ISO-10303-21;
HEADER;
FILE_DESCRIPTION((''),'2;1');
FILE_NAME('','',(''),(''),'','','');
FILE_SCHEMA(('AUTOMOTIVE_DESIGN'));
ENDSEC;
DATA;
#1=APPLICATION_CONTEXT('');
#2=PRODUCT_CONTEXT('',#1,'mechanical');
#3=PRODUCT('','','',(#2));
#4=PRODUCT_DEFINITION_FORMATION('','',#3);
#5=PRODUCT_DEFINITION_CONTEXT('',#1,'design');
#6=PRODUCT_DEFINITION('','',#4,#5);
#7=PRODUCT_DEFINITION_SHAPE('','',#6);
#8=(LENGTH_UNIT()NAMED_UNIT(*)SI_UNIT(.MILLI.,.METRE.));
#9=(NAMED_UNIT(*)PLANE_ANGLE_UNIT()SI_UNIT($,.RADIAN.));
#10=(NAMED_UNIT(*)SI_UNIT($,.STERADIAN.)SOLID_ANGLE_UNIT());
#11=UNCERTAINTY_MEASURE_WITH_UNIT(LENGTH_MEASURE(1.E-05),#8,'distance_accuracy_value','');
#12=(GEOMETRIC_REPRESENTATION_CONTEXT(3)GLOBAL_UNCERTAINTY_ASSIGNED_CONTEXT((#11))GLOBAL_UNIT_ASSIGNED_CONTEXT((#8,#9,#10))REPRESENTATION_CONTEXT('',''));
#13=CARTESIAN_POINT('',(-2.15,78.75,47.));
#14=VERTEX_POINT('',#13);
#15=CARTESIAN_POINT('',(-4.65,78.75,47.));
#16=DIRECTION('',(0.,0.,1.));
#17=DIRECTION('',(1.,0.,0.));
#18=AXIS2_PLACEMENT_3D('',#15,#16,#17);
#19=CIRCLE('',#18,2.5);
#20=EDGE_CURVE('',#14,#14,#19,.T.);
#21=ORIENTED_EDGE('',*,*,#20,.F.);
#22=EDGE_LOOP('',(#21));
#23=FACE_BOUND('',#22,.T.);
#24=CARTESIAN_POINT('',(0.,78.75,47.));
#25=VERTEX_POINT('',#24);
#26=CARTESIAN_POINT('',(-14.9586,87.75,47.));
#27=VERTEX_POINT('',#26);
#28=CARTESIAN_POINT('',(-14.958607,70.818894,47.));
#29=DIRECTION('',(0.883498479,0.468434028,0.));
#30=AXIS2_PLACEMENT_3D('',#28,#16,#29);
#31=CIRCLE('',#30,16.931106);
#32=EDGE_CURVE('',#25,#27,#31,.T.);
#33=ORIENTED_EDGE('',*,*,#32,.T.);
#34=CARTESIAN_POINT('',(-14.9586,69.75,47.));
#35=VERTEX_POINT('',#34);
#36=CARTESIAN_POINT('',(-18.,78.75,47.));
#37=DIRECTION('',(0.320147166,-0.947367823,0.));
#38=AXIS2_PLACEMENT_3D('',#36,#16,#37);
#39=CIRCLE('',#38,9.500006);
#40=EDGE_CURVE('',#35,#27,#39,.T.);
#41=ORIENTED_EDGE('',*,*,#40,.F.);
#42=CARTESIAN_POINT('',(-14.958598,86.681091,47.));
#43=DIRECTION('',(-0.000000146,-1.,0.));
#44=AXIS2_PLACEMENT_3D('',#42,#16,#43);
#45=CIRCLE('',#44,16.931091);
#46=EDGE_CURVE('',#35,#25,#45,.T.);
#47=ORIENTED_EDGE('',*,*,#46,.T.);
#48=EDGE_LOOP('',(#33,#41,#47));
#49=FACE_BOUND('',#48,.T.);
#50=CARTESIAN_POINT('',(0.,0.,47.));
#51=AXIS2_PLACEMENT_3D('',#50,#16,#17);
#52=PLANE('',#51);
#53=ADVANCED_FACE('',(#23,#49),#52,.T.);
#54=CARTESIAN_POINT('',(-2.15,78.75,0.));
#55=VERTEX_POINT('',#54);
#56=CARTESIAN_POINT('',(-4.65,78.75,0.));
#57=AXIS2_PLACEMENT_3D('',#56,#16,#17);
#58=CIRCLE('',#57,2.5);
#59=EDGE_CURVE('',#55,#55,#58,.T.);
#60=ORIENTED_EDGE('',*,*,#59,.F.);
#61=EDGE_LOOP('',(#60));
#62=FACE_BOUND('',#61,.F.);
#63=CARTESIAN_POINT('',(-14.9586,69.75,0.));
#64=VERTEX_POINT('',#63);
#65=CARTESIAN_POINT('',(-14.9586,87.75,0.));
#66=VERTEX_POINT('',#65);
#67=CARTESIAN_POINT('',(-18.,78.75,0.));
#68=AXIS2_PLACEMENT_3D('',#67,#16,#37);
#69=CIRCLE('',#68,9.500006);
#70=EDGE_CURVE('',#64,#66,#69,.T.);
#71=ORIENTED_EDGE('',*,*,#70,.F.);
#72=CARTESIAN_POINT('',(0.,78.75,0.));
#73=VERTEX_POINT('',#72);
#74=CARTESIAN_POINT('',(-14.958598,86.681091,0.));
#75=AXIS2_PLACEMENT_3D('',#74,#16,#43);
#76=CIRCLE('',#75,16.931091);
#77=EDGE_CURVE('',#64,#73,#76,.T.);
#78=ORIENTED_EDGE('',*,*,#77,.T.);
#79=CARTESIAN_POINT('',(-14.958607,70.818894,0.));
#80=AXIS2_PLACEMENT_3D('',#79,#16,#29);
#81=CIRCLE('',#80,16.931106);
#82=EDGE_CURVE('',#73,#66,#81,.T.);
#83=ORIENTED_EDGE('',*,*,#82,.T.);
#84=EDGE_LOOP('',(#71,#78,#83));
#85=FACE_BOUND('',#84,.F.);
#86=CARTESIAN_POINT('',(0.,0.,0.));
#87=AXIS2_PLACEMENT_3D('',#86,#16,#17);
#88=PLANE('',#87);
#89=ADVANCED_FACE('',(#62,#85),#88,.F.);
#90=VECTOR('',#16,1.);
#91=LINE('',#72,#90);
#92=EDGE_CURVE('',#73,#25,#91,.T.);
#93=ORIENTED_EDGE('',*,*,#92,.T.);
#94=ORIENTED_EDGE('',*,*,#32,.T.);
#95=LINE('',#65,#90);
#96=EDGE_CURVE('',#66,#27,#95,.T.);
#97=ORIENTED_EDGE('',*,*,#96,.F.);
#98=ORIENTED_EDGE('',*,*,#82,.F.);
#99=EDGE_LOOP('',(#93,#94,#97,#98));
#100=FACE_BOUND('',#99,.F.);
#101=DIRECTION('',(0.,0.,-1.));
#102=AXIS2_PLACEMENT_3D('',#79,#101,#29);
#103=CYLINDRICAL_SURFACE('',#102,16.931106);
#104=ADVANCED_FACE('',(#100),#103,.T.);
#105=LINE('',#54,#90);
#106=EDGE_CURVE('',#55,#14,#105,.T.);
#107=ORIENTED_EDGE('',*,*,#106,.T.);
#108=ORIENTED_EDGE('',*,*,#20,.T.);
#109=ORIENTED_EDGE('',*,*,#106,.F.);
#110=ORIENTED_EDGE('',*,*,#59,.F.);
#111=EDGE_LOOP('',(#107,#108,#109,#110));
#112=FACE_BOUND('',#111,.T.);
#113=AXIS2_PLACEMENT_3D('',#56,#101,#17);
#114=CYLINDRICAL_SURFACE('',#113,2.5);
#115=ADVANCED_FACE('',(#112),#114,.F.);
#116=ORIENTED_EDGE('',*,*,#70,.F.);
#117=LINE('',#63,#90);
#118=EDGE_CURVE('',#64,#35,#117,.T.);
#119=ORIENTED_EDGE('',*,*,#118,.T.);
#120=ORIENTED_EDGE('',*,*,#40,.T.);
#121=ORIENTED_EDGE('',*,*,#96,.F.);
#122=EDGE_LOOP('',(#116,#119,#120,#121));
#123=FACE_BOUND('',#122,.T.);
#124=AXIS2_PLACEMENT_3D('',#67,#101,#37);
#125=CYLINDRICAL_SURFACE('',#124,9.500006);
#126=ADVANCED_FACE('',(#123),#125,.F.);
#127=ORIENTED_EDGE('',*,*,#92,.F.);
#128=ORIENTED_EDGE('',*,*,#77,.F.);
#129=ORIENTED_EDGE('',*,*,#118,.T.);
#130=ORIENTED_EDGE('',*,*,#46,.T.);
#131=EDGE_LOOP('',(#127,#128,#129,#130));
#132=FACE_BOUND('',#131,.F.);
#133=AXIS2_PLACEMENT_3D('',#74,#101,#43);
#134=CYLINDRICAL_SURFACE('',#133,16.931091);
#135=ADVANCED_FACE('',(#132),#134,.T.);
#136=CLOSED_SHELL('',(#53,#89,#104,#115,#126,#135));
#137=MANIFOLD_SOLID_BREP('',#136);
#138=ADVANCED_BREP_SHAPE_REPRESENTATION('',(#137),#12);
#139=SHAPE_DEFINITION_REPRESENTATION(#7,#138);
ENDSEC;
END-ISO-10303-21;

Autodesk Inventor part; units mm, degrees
ref_plane "YZ Plane" through (0, 0, 0) normal (1, 0, 0) x (0, 1, 0)
ref_plane "XZ Plane" through (0, 0, 0) normal (0, 1, 0) x (-1, 0, 0)
ref_plane "XY Plane" through (0, 0, 0) normal (0, 0, 1) x (1, 0, 0)
sketch "Skizze1" plane through (0, 0, 0) normal (0, 0, 1) x (1, 0, 0)
  arc A0 (0, 11.25) -> (-14.9586, 20.25) centre (-14.9586, 3.3189) ccw
  arc A1 (-14.9586, 2.25) -> (-14.9586, 20.25) centre (-18, 11.25) ccw
  arc A2 (-14.9586, 2.25) -> (0, 11.25) centre (-14.9586, 19.1811) ccw
  arc A3 (0, 78.75) -> (-14.9586, 87.75) centre (-14.9586, 70.8189) ccw
  arc A4 (-14.9586, 69.75) -> (-14.9586, 87.75) centre (-18, 78.75) ccw
  arc A5 (-14.9586, 69.75) -> (0, 78.75) centre (-14.9586, 86.6811) ccw
  line L0 (0, 0) -> (0, 270)
  line L1 (0, 270) -> (-4.65, 164)
  arc A6 (-4.65, 164) -> (-4.65, 156) centre (-4.65, 160) ccw
  line L2 (-4.65, 156) -> (0, 156)
  line L3 (0, 0) -> (0, 270)
  line L4 (0, 270) -> (-4.65, 219)
  arc A7 (-4.65, 219) -> (-4.65, 211) centre (-4.65, 215) ccw
  line L5 (-4.65, 211) -> (0, 211)
  line L6 (0, 135) -> (-167, 135)
  line L7 (-167, 135) -> (0, 270)
  line L8 (0, 270) -> (-167, 270)
  line L9 (-167, 270) -> (-167, 0)
  line L10 (-83.5, 270) -> (-83.5, 0)
  line L11 (-83.5, 0) -> (-167, 270)
  line L12 (-167, 270) -> (-167, 0)
  line L13 (-167, 0) -> (0, 0)
  line L14 (0, 0) -> (-167, 0)
  line L15 (-144.5, 31.5) -> (-165.5, 31.5)
  line L16 (-165.5, 31.5) -> (-165.5, 58.5)
  line L17 (-165.5, 58.5) -> (-144.5, 58.5)
  line L18 (-144.5, 58.5) -> (-144.5, 31.5)
  line L19 (-144.5, 238.5) -> (-165.5, 238.5)
  line L20 (-165.5, 238.5) -> (-165.5, 211.5)
  line L21 (-165.5, 211.5) -> (-144.5, 211.5)
  line L22 (-144.5, 211.5) -> (-144.5, 238.5)
  arc A8 (0, 258.75) -> (-14.9586, 267.75) centre (-14.9586, 250.8189) ccw
  arc A9 (-14.9586, 249.75) -> (0, 258.75) centre (-14.9586, 266.6811) ccw
  arc A10 (-14.9586, 249.75) -> (-14.9586, 267.75) centre (-18, 258.75) ccw
  arc A11 (0, 191.25) -> (-14.9586, 200.25) centre (-14.9586, 183.3189) ccw
  arc A12 (-14.9586, 182.25) -> (-14.9586, 200.25) centre (-18, 191.25) ccw
  arc A13 (-14.9586, 182.25) -> (0, 191.25) centre (-14.9586, 199.1811) ccw
  line L23 (-135.0414, 87.75) -> (-158, 87.75)
  arc A14 (-158, 87.75) -> (-158, 69.75) centre (-158, 78.75) ccw
  line L24 (-158, 69.75) -> (-135.0414, 69.75)
  arc A15 (-135.0414, 87.75) -> (-135.0414, 69.75) centre (-132, 78.75) ccw
  line L25 (-158, 182.25) -> (-135.0414, 182.25)
  arc A16 (-135.0414, 200.25) -> (-135.0414, 182.25) centre (-132, 191.25) ccw
  line L26 (-135.0414, 200.25) -> (-158, 200.25)
  arc A17 (-158, 200.25) -> (-158, 182.25) centre (-158, 191.25) ccw
  line L27 (-143, 0) -> (-143, 55)
  arc A18 (-143, 55) -> (-148, 60) centre (-148, 55) ccw
  line L28 (-148, 60) -> (-167, 60)
  line L29 (-167, 25) -> (-148, 25)
  arc A19 (-143, 20) -> (-148, 25) centre (-148, 20) ccw
  line L30 (-143, 270) -> (-143, 215)
  arc A20 (-148, 210) -> (-143, 215) centre (-148, 215) ccw
  line L31 (-148, 210) -> (-167, 210)
  line L32 (-167, 245) -> (-148, 245)
  arc A21 (-148, 245) -> (-143, 250) centre (-148, 250) ccw
  line L33 (0, 219) -> (-4.65, 219)
  arc A22 (-4.65, 219) -> (-4.65, 211) centre (-4.65, 215) ccw
  line L34 (-4.65, 211) -> (0, 211)
  line L35 (0, 164) -> (-4.65, 164)
  arc A23 (-4.65, 164) -> (-4.65, 156) centre (-4.65, 160) ccw
  line L36 (-4.65, 156) -> (0, 156)
  line L37 (-167, 156) -> (-162.35, 156)
  arc A24 (-162.35, 156) -> (-162.35, 164) centre (-162.35, 160) ccw
  line L38 (-162.35, 164) -> (-167, 164)
  line L39 (0, 59) -> (-4.65, 59)
  arc A25 (-4.65, 59) -> (-4.65, 51) centre (-4.65, 55) ccw
  line L40 (-4.65, 51) -> (0, 51)
  line L41 (0, 106) -> (-4.65, 106)
  arc A26 (-4.65, 114) -> (-4.65, 106) centre (-4.65, 110) ccw
  line L42 (-4.65, 114) -> (0, 114)
  line L43 (-167, 106) -> (-162.35, 106)
  arc A27 (-162.35, 106) -> (-162.35, 114) centre (-162.35, 110) ccw
  line L44 (-162.35, 114) -> (-167, 114)
  circle A28 centre (-18, 236.25) radius 9
  circle A29 centre (-18, 258.75) radius 9
  circle A30 centre (-18, 213.75) radius 9
  circle A31 centre (-18, 168.75) radius 9
  circle A32 centre (-18, 123.75) radius 9
  circle A33 centre (-18, 78.75) radius 9
  circle A34 centre (-18, 33.75) radius 9
  circle A35 centre (-18, 11.25) radius 9
  circle A36 centre (-18, 56.25) radius 9
  circle A37 centre (-18, 101.25) radius 9
  circle A38 centre (-18, 146.25) radius 9
  circle A39 centre (-18, 191.25) radius 9
  circle A40 centre (-37, 236.25) radius 9
  circle A41 centre (-37, 258.75) radius 9
  circle A42 centre (-37, 213.75) radius 9
  circle A43 centre (-37, 168.75) radius 9
  circle A44 centre (-37, 123.75) radius 9
  circle A45 centre (-37, 78.75) radius 9
  circle A46 centre (-37, 33.75) radius 9
  circle A47 centre (-37, 11.25) radius 9
  circle A48 centre (-37, 56.25) radius 9
  circle A49 centre (-37, 101.25) radius 9
  circle A50 centre (-37, 146.25) radius 9
  circle A51 centre (-37, 191.25) radius 9
  circle A52 centre (-56, 236.25) radius 9
  circle A53 centre (-56, 258.75) radius 9
  circle A54 centre (-56, 213.75) radius 9
  circle A55 centre (-56, 168.75) radius 9
  circle A56 centre (-56, 123.75) radius 9
  circle A57 centre (-56, 78.75) radius 9
  circle A58 centre (-56, 33.75) radius 9
  circle A59 centre (-56, 11.25) radius 9
  circle A60 centre (-56, 56.25) radius 9
  circle A61 centre (-56, 101.25) radius 9
  circle A62 centre (-56, 146.25) radius 9
  circle A63 centre (-56, 191.25) radius 9
  circle A64 centre (-75, 236.25) radius 9
  circle A65 centre (-75, 258.75) radius 9
  circle A66 centre (-75, 213.75) radius 9
  circle A67 centre (-75, 168.75) radius 9
  circle A68 centre (-75, 123.75) radius 9
  circle A69 centre (-75, 78.75) radius 9
  circle A70 centre (-75, 33.75) radius 9
  circle A71 centre (-75, 11.25) radius 9
  circle A72 centre (-75, 56.25) radius 9
  circle A73 centre (-75, 101.25) radius 9
  circle A74 centre (-75, 146.25) radius 9
  circle A75 centre (-75, 191.25) radius 9
  circle A76 centre (-94, 236.25) radius 9
  circle A77 centre (-94, 258.75) radius 9
  circle A78 centre (-94, 213.75) radius 9
  circle A79 centre (-94, 168.75) radius 9
  circle A80 centre (-94, 123.75) radius 9
  circle A81 centre (-94, 78.75) radius 9
  circle A82 centre (-94, 33.75) radius 9
  circle A83 centre (-94, 11.25) radius 9
  circle A84 centre (-94, 56.25) radius 9
  circle A85 centre (-94, 101.25) radius 9
  circle A86 centre (-94, 146.25) radius 9
  circle A87 centre (-94, 191.25) radius 9
  circle A88 centre (-113, 236.25) radius 9
  circle A89 centre (-113, 258.75) radius 9
  circle A90 centre (-113, 213.75) radius 9
  circle A91 centre (-113, 168.75) radius 9
  circle A92 centre (-113, 123.75) radius 9
  circle A93 centre (-113, 78.75) radius 9
  circle A94 centre (-113, 33.75) radius 9
  circle A95 centre (-113, 11.25) radius 9
  circle A96 centre (-113, 56.25) radius 9
  circle A97 centre (-113, 101.25) radius 9
  circle A98 centre (-113, 146.25) radius 9
  circle A99 centre (-113, 191.25) radius 9
  circle A100 centre (-132, 236.25) radius 9
  circle A101 centre (-132, 191.25) radius 9
  circle A102 centre (-132, 146.25) radius 9
  circle A103 centre (-132, 101.25) radius 9
  circle A104 centre (-132, 56.25) radius 9
  circle A105 centre (-132, 11.25) radius 9
  circle A106 centre (-132, 33.75) radius 9
  circle A107 centre (-132, 78.75) radius 9
  circle A108 centre (-132, 123.75) radius 9
  circle A109 centre (-132, 168.75) radius 9
  circle A110 centre (-132, 213.75) radius 9
  circle A111 centre (-132, 258.75) radius 9
  line L45 (0, 0) -> (0, 270)
  line L46 (-167, 0) -> (0, 0)
  line L47 (-167, 270) -> (-167, 0)
  line L48 (-167, 0) -> (0, 0)
  line L49 (0, 270) -> (-167, 270)
  line L50 (0, 135) -> (-167, 135)
  line L51 (-14.9586, 2.25) -> (-18, 2.25)
  circle A112 centre (-18, 11.25) radius 9
  circle A113 centre (-4.65, 11.25) radius 2.5
  circle A114 centre (-4.65, 78.75) radius 2.5
  circle A115 centre (-4.65, 191.25) radius 2.5
  circle A116 centre (-4.65, 258.75) radius 2.5
  circle A117 centre (-162.35, 78.75) radius 2.5
  circle A118 centre (-162.35, 191.25) radius 2.5
  circle A119 centre (-151, 78.75) radius 7
  circle A120 centre (-151, 191.25) radius 7
  line L52 (-83.5, 270) -> (-83.5, 0)
  point P0 (0, 78.75)
extrude "Extrusion1" add sketch "Skizze1" along normal blind 47 contours A5 A4 A3
properties part number "Abstandhalter_2"
